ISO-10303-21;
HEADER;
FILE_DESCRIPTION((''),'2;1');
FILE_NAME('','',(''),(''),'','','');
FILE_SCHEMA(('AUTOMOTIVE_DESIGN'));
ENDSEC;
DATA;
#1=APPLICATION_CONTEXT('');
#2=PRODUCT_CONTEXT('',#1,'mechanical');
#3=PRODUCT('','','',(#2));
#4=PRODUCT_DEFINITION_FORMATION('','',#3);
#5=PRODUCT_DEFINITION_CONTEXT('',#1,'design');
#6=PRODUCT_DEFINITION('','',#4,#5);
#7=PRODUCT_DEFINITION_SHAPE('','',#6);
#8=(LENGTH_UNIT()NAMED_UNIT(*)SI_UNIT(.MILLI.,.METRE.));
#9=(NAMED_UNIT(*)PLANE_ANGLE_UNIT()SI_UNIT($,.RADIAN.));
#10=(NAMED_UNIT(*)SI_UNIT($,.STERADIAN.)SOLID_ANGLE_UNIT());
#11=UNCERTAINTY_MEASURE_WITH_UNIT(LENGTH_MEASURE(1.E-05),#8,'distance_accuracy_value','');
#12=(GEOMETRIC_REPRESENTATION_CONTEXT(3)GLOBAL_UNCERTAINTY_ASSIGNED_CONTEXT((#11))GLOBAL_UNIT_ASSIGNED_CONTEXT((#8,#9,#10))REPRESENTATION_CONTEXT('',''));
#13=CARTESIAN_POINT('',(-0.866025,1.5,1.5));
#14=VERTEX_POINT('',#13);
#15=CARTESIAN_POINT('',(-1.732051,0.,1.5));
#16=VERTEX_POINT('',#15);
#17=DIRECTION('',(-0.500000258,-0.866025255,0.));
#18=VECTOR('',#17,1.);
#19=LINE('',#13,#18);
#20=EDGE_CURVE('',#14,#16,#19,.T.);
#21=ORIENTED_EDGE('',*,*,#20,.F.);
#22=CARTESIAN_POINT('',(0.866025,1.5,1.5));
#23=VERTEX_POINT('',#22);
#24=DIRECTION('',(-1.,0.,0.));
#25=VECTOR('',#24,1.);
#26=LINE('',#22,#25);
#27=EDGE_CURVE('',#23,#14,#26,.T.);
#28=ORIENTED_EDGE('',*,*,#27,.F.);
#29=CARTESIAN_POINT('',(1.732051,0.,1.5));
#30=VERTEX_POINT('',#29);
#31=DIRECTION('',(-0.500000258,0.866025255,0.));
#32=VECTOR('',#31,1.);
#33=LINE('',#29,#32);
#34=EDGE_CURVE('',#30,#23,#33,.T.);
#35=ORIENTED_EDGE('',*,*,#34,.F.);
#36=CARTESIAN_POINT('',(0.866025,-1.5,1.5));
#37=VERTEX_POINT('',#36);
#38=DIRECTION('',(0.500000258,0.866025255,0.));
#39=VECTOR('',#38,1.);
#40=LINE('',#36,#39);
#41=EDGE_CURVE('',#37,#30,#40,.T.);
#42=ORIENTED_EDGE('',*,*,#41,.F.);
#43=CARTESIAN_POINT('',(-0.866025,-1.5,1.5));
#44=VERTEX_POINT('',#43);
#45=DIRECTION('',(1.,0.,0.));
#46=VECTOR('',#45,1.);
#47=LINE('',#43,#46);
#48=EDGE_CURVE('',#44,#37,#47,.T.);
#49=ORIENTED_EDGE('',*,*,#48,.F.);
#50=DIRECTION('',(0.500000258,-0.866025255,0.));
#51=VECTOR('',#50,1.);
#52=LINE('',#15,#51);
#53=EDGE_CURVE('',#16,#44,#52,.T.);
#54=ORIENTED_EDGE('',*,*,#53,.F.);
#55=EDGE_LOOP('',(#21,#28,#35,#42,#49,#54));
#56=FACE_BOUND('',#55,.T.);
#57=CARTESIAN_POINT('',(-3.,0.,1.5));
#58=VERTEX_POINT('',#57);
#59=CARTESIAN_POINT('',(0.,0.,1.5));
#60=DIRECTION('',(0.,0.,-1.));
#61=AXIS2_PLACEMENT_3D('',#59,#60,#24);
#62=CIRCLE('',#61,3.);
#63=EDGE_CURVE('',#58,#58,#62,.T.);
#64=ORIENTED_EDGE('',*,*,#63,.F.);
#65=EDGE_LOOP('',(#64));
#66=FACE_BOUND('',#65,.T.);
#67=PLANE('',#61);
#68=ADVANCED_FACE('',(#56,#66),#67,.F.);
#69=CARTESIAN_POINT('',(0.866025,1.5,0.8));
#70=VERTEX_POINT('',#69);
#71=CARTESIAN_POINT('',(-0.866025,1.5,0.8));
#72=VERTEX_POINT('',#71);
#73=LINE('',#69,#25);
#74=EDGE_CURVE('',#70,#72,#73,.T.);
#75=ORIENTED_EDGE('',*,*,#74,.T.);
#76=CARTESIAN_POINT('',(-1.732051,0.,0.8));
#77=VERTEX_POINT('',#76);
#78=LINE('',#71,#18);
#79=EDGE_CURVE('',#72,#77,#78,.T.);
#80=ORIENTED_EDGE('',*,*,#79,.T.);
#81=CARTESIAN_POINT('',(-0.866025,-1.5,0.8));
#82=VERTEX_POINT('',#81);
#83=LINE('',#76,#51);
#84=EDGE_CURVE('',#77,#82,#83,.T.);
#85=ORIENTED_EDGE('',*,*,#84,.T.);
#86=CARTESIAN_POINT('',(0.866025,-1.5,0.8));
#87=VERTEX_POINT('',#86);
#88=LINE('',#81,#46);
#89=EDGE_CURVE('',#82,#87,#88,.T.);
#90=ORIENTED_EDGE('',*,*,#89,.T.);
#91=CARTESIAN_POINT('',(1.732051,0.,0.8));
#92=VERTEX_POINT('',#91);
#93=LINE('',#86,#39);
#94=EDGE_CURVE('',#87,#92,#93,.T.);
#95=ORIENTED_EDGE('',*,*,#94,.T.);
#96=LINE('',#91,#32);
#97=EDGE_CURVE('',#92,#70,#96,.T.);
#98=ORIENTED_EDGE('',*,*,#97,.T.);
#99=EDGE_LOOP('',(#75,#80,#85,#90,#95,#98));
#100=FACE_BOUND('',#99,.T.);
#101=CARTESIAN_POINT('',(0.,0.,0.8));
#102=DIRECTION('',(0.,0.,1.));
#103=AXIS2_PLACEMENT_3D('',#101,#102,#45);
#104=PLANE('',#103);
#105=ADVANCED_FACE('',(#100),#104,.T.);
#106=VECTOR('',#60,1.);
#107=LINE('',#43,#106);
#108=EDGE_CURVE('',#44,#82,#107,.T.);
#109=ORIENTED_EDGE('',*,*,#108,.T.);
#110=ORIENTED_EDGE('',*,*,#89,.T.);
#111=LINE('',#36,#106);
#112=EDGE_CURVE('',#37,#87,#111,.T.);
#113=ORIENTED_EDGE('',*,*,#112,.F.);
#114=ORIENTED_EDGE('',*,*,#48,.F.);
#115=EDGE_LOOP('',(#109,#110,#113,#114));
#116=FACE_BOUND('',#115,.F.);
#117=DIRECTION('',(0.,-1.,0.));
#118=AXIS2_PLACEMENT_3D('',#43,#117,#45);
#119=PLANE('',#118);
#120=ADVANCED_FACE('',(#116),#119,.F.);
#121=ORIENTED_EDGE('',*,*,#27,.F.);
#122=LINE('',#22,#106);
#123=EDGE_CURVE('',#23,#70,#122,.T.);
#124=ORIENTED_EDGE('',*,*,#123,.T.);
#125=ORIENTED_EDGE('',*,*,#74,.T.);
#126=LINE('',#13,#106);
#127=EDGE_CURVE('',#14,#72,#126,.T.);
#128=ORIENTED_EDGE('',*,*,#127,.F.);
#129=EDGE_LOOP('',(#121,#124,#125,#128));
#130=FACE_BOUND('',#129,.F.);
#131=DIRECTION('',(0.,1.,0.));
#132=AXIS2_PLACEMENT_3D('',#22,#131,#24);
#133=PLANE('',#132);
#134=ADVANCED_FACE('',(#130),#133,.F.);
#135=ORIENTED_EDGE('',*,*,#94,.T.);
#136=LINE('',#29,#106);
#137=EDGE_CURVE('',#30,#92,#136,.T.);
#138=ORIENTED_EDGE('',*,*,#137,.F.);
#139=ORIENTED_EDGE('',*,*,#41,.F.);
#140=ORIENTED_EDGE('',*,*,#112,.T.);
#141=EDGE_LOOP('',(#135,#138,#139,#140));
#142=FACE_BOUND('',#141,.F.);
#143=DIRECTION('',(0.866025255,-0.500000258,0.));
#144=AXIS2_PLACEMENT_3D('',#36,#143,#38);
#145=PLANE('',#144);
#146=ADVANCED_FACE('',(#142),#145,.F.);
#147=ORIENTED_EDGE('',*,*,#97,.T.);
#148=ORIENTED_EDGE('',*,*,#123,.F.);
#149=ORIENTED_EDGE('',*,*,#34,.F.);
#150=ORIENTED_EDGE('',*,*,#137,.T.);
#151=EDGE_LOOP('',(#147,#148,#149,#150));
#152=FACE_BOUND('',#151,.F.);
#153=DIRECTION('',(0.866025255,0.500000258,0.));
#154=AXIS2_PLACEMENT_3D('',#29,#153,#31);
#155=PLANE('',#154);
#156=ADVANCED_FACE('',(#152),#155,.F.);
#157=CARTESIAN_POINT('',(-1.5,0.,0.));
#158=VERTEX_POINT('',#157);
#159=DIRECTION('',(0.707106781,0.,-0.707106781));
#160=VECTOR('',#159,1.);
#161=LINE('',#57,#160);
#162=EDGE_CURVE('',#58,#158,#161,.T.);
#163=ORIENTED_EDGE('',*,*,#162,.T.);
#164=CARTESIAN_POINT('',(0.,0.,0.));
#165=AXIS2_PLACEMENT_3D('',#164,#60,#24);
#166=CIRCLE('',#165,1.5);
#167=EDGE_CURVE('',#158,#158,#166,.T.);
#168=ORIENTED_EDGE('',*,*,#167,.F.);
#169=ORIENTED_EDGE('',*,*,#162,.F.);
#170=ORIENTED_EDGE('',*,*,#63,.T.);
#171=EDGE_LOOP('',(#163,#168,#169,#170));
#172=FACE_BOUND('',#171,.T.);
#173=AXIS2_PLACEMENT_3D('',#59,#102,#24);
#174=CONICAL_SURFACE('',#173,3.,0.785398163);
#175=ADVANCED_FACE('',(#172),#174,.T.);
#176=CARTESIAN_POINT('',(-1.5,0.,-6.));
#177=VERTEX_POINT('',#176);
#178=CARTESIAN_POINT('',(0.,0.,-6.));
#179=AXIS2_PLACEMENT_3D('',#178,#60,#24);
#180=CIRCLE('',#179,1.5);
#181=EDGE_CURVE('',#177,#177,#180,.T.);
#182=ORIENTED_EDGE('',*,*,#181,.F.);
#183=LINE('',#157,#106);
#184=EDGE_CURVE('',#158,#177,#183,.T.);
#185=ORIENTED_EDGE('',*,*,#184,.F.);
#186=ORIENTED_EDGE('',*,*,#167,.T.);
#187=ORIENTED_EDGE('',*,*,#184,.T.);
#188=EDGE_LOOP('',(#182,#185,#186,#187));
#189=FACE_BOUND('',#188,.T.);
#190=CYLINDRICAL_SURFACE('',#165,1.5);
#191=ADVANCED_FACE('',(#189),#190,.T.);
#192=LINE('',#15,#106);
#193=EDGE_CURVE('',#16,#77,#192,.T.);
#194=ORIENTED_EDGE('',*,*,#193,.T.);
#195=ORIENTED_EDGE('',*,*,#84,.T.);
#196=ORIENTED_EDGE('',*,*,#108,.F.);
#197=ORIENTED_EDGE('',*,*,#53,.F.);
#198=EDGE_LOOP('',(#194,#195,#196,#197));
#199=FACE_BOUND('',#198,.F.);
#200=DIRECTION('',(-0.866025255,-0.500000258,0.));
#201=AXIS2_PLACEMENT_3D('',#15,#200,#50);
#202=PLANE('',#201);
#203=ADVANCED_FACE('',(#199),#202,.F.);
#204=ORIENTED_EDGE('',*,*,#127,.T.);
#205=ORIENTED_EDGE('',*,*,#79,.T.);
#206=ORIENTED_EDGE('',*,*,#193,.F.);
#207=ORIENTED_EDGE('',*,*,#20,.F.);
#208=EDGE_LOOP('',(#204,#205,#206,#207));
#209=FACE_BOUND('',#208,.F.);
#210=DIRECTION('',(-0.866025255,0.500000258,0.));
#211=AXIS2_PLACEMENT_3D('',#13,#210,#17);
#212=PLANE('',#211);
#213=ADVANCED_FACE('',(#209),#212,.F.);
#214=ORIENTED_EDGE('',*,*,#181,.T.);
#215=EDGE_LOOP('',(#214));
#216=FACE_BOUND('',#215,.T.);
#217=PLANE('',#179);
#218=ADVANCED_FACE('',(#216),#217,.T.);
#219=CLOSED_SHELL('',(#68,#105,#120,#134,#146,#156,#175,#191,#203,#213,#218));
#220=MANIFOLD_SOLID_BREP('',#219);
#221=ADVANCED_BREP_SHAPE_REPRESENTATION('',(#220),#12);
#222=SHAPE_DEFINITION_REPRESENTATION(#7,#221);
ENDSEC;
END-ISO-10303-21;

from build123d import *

# Parameters (mm, degrees)
F3_DEPTH = 0.7


with BuildPart() as f1:
    # F0 (on Front) → F1 (revolve)
    with BuildSketch(Plane.XZ):
        Polygon((-1.5, 0), (-1.5, -6), (0, -6), (0, 1.5), (-3, 1.5), align=None)
    revolve(axis=Axis((0, 0, -4.202494), (0, 0, -1)))

    # F2 (on face) → F3 (cut)
    with BuildSketch(Plane.XY.offset(1.5)):
        Polygon((-0.866025, -1.5), (0.866025, -1.5), (1.732051, 0), (0.866025, 1.5), (-0.866025, 1.5), (-1.732051, 0), align=None)
    extrude(amount=-F3_DEPTH, mode=Mode.SUBTRACT)


solid = f1.part
